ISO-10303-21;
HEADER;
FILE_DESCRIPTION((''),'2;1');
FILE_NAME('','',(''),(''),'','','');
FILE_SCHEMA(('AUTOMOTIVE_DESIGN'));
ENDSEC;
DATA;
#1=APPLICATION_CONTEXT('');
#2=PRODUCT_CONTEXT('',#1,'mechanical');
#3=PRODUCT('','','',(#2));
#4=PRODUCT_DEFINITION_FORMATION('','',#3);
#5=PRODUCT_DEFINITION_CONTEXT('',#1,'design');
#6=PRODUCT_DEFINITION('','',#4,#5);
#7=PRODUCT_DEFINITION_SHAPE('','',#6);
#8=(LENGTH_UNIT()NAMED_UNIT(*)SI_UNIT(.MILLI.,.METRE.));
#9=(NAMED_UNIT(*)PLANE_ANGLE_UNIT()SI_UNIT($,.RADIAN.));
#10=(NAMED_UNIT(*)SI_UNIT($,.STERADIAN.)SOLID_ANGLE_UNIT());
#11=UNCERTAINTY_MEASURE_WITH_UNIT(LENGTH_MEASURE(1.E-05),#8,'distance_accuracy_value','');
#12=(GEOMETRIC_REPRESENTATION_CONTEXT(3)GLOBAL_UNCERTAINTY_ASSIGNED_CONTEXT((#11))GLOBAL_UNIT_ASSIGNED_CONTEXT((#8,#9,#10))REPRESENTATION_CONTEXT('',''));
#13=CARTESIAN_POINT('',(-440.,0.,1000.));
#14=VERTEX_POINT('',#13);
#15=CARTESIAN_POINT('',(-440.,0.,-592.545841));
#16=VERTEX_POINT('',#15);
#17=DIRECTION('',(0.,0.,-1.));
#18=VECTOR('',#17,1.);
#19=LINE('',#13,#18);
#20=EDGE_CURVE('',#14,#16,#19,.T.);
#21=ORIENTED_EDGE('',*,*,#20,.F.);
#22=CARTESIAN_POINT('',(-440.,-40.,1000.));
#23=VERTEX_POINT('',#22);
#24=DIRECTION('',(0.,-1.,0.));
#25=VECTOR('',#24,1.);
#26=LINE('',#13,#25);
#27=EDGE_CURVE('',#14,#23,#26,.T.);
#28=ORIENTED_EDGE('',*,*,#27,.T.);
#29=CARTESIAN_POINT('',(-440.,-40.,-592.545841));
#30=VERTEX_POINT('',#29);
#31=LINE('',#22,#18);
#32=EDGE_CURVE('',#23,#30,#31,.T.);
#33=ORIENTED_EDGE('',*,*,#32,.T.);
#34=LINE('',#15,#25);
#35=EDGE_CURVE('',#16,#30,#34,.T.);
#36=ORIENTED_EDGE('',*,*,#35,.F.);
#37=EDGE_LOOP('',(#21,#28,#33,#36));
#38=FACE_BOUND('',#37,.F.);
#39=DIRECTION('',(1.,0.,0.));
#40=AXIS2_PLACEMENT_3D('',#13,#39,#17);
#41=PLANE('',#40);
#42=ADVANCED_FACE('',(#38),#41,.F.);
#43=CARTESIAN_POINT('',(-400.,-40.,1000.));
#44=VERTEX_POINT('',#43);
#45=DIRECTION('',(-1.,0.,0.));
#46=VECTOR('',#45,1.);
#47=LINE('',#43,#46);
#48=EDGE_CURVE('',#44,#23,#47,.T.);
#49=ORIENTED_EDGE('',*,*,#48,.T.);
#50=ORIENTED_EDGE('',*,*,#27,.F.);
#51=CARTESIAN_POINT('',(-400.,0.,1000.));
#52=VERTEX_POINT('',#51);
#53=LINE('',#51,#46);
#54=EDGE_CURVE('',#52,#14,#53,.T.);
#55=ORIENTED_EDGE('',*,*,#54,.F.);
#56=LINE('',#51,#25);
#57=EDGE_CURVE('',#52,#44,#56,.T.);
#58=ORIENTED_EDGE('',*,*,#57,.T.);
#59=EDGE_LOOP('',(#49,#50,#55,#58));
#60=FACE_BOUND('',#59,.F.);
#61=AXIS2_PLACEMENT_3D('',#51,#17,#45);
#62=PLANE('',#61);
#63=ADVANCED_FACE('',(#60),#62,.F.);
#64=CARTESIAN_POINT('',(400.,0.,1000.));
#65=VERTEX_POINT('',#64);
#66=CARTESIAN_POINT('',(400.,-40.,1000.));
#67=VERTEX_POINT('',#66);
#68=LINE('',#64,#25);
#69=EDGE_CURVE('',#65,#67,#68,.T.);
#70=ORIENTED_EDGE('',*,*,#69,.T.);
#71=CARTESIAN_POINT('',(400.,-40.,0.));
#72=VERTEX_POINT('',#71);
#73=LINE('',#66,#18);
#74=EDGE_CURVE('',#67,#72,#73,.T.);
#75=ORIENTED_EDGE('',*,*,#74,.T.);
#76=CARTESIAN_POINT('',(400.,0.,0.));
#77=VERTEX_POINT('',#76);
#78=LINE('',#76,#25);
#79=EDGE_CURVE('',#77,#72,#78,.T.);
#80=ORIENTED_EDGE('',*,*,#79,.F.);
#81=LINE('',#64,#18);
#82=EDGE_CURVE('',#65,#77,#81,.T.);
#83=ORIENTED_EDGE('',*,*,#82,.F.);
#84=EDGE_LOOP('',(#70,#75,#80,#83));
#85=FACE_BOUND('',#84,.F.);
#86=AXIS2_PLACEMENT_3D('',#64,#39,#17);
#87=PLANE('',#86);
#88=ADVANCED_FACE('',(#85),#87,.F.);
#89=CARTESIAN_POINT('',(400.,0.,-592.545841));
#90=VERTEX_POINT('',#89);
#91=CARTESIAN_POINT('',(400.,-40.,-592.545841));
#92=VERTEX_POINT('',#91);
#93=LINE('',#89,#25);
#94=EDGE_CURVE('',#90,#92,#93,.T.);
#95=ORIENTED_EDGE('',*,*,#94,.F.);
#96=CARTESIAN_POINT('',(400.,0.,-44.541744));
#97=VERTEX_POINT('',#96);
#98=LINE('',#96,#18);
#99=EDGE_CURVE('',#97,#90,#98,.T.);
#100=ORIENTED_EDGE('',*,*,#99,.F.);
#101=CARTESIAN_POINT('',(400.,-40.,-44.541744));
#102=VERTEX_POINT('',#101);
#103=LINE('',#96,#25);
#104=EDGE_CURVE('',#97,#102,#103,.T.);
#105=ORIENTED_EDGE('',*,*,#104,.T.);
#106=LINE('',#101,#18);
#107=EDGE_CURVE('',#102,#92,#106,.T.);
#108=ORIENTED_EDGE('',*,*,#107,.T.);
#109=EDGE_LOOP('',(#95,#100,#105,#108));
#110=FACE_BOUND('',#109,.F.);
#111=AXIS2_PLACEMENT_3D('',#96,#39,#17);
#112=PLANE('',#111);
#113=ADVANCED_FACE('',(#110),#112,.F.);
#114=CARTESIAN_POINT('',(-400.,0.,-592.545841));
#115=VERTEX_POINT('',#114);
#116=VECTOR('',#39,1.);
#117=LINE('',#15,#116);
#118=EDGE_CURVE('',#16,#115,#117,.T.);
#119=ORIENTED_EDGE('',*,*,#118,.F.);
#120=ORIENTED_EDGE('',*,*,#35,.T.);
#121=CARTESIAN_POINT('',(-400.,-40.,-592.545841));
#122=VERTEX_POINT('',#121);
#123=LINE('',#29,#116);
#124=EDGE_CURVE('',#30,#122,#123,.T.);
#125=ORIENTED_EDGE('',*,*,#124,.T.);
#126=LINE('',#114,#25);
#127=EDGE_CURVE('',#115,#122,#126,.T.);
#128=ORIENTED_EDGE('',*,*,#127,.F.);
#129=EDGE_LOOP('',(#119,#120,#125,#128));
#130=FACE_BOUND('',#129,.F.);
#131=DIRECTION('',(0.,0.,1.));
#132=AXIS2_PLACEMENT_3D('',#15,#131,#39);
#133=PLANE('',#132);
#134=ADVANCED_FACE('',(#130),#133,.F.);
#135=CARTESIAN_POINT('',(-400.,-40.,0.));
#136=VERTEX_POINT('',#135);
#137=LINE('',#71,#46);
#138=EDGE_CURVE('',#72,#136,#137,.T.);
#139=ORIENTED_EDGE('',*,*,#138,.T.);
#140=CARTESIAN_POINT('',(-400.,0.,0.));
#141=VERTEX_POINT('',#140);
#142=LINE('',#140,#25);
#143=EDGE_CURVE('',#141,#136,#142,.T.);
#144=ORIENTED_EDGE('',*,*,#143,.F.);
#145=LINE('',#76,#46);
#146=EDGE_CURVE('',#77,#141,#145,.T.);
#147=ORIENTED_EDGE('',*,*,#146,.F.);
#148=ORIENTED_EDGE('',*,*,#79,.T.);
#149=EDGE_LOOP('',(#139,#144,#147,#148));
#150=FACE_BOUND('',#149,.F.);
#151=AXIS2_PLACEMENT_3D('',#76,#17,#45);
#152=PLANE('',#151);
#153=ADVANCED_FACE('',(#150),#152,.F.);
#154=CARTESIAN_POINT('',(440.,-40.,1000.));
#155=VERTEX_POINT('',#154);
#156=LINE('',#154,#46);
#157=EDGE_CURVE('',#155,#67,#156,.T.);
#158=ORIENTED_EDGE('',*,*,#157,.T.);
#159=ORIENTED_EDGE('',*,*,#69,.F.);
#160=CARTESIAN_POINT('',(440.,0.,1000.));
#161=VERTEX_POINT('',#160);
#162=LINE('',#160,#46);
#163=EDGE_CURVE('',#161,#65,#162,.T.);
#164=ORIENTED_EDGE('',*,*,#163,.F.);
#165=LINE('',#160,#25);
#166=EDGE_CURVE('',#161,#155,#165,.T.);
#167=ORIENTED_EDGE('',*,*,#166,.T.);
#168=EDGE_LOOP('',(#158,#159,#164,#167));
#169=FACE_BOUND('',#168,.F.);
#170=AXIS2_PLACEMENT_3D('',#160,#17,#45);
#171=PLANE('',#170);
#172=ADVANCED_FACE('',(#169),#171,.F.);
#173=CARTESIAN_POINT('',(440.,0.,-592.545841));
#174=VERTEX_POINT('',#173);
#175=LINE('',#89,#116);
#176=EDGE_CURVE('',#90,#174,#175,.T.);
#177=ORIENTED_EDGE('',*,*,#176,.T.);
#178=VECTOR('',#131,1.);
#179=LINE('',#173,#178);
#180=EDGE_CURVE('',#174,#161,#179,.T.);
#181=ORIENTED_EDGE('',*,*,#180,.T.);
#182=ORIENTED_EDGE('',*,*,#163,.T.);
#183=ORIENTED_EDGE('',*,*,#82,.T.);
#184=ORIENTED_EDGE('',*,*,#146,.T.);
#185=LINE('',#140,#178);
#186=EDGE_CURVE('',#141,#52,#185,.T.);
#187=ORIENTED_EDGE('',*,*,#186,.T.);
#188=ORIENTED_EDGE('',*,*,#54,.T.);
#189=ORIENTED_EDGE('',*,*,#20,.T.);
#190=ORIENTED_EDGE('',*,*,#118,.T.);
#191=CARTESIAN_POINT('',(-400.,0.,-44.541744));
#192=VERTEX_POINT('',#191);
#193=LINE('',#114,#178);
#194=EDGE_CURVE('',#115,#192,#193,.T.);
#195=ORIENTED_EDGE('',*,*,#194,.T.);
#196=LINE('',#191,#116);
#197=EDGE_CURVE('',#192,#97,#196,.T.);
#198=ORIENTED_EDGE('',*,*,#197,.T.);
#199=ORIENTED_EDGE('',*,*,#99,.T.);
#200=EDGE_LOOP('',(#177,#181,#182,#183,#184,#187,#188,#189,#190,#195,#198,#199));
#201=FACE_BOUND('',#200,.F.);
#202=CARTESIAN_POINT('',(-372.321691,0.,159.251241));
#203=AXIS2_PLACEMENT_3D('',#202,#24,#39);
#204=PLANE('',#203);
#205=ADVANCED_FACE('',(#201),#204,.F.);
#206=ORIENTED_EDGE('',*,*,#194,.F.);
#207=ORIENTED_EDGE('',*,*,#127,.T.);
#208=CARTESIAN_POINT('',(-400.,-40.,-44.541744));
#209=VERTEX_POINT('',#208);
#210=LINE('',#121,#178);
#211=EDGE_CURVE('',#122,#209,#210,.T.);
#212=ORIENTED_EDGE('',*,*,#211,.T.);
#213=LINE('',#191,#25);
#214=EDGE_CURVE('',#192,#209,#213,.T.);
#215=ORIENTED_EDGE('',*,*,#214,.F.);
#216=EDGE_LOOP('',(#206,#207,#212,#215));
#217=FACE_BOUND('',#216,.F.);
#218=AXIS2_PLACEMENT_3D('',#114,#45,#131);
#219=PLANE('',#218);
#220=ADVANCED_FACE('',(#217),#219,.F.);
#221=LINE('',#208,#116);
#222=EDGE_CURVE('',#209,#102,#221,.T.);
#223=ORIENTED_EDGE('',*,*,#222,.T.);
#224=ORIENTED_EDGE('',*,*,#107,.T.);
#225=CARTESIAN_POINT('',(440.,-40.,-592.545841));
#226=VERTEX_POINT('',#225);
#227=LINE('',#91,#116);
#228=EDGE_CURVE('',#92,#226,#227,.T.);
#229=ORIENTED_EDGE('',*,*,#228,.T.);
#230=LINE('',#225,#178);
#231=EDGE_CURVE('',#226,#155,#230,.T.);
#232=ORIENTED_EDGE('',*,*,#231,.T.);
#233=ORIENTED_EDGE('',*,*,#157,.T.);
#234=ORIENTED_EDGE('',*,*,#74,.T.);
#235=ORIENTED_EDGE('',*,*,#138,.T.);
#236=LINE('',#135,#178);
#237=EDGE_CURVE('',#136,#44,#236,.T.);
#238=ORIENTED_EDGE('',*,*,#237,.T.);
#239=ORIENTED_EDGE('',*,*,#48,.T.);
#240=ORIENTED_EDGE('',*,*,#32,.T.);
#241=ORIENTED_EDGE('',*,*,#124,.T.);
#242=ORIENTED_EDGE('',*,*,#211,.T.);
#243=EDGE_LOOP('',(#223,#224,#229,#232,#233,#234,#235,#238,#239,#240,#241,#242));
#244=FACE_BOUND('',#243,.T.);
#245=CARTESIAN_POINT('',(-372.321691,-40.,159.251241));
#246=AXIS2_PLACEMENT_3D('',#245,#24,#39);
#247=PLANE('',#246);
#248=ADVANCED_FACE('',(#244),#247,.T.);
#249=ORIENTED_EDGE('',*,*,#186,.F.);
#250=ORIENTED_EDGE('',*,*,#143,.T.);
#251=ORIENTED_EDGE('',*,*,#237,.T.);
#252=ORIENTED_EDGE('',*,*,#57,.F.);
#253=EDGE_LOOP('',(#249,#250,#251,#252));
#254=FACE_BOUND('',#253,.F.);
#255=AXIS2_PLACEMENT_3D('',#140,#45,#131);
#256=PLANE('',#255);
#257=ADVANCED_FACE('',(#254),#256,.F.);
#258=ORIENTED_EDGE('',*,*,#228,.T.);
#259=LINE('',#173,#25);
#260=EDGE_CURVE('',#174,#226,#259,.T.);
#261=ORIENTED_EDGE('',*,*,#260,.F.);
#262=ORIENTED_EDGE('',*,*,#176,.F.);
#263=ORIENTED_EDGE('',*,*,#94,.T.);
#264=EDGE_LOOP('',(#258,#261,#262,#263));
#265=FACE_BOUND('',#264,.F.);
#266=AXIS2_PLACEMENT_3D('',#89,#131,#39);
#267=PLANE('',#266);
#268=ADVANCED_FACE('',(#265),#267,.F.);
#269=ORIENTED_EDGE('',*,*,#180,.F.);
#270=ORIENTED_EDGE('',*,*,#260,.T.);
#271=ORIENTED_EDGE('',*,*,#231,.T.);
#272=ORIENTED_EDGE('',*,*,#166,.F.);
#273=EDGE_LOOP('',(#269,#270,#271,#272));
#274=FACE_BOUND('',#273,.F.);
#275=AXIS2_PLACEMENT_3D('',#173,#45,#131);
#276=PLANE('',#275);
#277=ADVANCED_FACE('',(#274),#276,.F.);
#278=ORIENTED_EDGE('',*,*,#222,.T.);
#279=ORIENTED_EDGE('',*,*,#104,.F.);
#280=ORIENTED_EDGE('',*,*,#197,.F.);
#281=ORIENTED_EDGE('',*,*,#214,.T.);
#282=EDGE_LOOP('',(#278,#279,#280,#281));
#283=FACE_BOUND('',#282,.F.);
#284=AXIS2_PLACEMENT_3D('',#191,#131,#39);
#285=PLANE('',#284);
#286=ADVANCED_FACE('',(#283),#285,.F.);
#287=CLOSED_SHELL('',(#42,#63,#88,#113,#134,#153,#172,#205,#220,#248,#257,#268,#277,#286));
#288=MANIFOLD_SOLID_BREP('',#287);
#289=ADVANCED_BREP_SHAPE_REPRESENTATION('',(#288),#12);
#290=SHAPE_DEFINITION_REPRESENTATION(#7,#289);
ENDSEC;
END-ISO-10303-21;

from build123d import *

# Parameters (mm, degrees)
F1_DEPTH = 40


with BuildPart() as f1:
    # F0 (on Front) → F1 (new body)
    with BuildSketch(Plane.XZ):
        Polygon((0, -44.541744), (0, 0), (-400, 0), (-400, 1000), (-440, 1000), (-440, 0), (-440, -592.545841), (-400, -592.545841), (-400, -44.541744), align=None)
        Polygon((400, 0), (0, 0), (0, -44.541744), (400, -44.541744), (400, -592.545841), (440, -592.545841), (440, 0), (440, 1000), (400, 1000), align=None)
    extrude(amount=F1_DEPTH)


solid = f1.part
